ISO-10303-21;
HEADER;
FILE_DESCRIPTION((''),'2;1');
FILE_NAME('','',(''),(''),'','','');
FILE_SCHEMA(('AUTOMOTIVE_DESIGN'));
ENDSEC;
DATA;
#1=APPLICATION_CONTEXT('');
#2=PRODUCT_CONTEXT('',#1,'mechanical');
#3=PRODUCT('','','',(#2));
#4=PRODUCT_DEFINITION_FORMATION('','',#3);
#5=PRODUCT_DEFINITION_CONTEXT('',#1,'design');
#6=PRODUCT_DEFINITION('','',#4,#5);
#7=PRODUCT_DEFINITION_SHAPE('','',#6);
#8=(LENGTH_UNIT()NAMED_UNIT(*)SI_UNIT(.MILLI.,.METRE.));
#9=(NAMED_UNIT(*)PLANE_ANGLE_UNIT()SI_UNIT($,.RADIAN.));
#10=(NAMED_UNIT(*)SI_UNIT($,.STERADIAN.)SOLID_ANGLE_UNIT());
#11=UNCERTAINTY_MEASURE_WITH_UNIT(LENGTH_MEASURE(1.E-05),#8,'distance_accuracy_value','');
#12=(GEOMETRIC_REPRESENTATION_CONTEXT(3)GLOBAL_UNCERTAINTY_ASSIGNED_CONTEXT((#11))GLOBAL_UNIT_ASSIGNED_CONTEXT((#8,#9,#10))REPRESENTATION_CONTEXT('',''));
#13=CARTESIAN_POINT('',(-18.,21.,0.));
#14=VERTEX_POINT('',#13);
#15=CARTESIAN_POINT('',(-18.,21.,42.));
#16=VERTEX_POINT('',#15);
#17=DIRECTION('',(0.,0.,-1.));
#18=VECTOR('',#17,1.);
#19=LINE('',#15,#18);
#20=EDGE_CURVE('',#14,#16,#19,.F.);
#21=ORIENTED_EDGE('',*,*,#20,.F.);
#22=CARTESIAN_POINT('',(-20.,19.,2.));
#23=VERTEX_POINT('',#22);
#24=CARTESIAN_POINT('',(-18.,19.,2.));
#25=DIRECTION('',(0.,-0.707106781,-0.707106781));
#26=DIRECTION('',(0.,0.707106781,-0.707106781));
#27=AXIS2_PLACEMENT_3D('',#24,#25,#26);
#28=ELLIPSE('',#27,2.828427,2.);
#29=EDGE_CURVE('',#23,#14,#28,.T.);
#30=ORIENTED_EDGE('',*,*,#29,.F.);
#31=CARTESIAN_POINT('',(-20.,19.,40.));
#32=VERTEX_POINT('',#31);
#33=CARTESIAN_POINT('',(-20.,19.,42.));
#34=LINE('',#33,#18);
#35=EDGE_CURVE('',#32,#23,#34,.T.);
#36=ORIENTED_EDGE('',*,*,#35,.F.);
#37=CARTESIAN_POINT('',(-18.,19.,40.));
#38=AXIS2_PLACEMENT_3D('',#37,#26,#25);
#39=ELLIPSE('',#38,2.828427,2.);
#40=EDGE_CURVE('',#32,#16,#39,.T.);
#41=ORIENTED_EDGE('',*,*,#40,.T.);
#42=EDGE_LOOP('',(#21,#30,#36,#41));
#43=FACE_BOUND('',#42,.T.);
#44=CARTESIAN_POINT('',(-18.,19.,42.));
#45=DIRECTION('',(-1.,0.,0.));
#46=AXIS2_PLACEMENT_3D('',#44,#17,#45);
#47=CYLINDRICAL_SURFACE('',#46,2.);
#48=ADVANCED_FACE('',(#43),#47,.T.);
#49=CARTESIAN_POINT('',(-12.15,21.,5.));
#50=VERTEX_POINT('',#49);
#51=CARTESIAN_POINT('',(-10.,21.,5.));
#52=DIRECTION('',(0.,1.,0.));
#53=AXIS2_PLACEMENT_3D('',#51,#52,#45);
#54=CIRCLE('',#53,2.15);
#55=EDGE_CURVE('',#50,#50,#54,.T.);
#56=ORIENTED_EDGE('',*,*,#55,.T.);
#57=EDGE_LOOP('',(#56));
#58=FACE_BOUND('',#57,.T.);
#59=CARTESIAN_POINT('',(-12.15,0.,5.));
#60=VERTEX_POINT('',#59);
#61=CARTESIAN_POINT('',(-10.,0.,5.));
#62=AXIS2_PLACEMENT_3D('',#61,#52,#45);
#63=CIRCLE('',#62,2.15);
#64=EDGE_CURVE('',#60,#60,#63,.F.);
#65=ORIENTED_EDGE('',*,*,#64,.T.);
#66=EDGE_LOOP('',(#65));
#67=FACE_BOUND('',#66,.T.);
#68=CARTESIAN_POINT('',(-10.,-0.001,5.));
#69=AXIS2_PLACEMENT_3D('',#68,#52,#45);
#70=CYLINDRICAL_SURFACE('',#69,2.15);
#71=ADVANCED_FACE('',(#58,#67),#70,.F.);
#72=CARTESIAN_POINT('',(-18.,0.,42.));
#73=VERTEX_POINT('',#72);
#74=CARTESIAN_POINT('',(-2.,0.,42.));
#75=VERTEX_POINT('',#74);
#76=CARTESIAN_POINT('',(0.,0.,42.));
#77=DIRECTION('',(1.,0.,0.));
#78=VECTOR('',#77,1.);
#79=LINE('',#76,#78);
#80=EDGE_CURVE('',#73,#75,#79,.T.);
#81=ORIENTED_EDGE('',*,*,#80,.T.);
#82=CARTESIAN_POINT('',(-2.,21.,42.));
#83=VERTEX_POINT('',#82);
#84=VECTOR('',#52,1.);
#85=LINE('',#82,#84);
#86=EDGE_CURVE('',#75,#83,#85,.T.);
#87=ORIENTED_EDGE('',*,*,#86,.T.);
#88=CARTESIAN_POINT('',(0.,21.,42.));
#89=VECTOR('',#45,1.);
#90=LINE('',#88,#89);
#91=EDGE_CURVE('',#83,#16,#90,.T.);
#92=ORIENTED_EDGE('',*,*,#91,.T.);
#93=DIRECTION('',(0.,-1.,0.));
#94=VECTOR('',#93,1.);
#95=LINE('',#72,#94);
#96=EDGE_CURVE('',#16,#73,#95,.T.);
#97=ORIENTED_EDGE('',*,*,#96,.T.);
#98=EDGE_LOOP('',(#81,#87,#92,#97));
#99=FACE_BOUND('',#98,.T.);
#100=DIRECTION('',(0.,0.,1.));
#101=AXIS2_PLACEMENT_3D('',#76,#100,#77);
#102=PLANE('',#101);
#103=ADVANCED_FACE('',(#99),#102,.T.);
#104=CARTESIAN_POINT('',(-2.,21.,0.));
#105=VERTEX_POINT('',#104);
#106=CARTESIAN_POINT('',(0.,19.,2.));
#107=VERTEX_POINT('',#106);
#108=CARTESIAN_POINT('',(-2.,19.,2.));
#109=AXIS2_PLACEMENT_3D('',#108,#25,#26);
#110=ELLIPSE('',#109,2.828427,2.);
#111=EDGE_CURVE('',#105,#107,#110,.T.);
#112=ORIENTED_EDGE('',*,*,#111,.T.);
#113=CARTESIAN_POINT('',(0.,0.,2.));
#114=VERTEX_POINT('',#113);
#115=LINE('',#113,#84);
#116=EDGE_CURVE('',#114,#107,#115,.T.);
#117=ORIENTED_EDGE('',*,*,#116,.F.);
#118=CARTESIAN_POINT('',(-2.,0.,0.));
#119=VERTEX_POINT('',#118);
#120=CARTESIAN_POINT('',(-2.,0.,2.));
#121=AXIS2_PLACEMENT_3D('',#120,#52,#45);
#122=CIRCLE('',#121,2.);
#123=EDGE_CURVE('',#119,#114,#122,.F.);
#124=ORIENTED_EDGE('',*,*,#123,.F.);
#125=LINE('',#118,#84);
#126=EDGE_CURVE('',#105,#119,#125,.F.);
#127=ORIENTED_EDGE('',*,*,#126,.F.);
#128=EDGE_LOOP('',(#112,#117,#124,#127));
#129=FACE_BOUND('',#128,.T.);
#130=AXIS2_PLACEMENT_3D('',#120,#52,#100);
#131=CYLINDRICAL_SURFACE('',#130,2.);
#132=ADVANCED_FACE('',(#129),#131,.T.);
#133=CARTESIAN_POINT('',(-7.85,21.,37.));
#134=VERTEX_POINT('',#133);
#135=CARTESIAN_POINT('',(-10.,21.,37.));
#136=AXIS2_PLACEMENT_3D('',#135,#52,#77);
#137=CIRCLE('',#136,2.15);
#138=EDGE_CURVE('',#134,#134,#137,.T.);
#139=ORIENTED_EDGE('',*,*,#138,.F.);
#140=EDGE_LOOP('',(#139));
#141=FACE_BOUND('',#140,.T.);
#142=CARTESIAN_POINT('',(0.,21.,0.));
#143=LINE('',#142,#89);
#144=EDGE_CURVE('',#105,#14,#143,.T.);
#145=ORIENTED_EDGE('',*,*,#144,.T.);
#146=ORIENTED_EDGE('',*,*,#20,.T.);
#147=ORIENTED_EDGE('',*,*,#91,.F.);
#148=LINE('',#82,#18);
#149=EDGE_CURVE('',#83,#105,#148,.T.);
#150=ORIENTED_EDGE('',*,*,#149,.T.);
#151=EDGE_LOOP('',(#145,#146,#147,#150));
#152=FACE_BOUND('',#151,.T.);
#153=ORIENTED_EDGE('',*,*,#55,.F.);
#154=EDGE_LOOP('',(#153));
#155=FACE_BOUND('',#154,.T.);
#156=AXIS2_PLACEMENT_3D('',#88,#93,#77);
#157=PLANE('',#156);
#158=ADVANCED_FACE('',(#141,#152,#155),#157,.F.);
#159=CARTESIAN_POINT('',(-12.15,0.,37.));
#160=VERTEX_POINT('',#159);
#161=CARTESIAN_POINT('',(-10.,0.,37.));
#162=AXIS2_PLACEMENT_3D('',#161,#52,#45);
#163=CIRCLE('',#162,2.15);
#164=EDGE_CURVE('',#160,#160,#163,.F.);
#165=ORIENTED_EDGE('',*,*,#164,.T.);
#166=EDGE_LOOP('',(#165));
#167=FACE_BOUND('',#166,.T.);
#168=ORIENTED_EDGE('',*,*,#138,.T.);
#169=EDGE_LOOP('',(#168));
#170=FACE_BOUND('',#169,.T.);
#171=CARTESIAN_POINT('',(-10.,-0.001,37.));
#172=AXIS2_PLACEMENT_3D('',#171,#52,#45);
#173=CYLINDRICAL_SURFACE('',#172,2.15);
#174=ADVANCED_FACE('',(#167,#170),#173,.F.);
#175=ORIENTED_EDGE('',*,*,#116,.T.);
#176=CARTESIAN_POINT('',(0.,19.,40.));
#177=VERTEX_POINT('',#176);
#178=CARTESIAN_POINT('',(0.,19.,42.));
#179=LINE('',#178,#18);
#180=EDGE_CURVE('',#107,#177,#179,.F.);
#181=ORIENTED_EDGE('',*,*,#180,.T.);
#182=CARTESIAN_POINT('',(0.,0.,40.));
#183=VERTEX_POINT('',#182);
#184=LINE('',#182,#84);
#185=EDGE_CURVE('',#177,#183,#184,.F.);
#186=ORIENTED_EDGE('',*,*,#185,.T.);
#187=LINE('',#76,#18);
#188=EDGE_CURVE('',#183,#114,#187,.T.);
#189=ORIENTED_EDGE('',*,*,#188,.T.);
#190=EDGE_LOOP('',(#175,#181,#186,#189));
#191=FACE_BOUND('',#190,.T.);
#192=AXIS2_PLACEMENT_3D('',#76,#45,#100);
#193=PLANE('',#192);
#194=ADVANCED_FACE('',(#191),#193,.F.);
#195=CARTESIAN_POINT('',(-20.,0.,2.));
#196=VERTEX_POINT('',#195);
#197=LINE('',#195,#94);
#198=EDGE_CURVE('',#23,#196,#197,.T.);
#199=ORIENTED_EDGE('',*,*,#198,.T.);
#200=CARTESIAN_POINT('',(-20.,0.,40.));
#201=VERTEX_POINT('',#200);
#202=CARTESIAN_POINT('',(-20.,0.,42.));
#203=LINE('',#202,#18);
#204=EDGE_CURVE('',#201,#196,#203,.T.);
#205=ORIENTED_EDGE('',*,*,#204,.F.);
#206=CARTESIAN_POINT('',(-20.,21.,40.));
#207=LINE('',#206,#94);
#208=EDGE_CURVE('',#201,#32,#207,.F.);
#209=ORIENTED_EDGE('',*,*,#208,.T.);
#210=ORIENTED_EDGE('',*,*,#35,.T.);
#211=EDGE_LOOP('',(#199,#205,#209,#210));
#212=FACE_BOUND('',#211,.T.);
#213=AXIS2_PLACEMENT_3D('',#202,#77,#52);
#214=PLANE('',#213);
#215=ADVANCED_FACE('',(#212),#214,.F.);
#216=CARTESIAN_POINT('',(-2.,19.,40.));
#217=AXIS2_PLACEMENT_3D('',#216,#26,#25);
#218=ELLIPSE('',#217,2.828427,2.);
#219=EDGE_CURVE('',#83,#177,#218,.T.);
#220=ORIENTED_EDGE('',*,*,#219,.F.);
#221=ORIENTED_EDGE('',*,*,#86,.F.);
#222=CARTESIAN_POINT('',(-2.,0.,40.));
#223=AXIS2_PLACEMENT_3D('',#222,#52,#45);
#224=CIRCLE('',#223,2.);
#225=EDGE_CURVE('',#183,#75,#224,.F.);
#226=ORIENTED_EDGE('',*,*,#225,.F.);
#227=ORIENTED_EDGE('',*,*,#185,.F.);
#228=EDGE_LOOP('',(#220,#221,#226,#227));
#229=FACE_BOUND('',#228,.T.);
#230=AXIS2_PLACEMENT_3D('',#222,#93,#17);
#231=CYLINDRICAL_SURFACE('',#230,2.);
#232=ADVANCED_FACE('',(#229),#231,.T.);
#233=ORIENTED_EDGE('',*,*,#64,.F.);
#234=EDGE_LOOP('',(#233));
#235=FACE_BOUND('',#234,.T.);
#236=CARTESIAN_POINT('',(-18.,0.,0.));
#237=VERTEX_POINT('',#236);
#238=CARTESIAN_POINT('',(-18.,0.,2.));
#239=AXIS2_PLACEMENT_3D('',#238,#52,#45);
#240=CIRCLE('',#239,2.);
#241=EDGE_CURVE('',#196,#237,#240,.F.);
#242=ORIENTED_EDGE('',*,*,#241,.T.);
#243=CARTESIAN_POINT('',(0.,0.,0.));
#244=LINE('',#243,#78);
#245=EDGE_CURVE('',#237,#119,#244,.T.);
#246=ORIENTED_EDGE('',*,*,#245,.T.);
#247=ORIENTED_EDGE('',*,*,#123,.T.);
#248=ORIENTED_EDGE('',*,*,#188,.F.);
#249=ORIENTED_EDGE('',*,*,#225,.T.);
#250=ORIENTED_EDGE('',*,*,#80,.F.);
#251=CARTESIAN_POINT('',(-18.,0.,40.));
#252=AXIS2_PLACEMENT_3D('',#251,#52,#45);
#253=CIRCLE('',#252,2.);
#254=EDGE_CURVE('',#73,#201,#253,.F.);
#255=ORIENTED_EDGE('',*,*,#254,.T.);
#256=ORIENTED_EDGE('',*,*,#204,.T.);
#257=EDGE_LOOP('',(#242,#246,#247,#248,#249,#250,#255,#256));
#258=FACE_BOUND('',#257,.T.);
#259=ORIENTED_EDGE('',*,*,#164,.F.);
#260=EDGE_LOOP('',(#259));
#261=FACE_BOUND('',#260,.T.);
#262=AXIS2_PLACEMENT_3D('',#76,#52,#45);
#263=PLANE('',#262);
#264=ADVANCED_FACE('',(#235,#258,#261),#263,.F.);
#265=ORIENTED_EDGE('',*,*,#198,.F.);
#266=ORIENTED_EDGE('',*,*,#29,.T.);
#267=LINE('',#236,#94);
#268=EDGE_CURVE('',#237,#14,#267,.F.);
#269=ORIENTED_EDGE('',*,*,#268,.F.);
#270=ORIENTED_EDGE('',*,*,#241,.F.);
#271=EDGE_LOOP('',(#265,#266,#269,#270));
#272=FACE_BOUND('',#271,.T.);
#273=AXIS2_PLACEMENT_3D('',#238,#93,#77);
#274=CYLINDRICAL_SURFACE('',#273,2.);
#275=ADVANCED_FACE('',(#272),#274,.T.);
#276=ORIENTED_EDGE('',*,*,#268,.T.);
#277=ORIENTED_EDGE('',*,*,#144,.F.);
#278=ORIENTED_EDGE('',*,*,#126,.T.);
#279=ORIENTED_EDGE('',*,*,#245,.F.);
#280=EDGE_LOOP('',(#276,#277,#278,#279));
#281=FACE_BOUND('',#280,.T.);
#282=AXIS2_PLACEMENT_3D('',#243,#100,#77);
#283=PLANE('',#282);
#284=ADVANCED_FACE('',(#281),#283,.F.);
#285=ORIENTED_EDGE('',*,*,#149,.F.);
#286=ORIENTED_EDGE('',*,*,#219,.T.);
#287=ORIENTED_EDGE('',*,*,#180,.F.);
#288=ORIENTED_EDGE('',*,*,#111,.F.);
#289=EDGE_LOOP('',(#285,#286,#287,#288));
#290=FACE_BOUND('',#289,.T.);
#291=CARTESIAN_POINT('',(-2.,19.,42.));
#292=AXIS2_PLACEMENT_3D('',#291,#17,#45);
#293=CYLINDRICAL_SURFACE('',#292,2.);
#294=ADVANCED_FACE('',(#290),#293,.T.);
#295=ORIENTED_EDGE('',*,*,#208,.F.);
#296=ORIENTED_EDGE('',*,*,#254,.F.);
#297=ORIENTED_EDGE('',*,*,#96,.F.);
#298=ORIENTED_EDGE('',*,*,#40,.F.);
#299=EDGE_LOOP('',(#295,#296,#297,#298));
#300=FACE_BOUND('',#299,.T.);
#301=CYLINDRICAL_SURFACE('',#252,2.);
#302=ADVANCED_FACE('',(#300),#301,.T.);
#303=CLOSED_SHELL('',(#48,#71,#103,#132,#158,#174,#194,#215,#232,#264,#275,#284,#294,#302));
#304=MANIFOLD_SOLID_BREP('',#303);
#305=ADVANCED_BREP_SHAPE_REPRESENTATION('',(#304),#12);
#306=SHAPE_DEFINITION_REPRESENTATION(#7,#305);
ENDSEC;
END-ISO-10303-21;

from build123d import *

# Parameters (mm, degrees)
SKETCH_1_W          = 20
SKETCH_1_H          = 21
EXTRUDE_1_DEPTH     = 42
CUT_EXTRUDE_1_REACH = 53.039
SKETCH_2_R          = 2.15
FILLET_1_R          = 2


with BuildPart() as part:
    # 草图1 → 凸台-拉伸1 (new body)
    with BuildSketch(Plane.XY):
        with Locations((-10, 10.5)):
            Rectangle(SKETCH_1_W, SKETCH_1_H)
    extrude(amount=EXTRUDE_1_DEPTH)

    # 草图2 → 切除-拉伸1 (cut, up to next)
    with BuildSketch(Plane(origin=(0, 21, 0), x_dir=(1, 0, 0), z_dir=(0, 1, 0)), mode=Mode.PRIVATE) as cut_extrude_1_sk1:
        with Locations(Location((-10, -5, 0), (0, 0, 180))):
            Circle(SKETCH_2_R)
    cut_extrude_1_tool1 = extrude(cut_extrude_1_sk1.sketch, amount=-CUT_EXTRUDE_1_REACH, mode=Mode.PRIVATE) & part.part
    # 草图2 → 切除-拉伸1 (cut, up to next)
    with BuildSketch(Plane(origin=(0, 21, 0), x_dir=(1, 0, 0), z_dir=(0, 1, 0)), mode=Mode.PRIVATE) as cut_extrude_1_sk2:
        with Locations(Location((-10, -37, 0), (0, 0, 180))):
            Circle(SKETCH_2_R)
    cut_extrude_1_tool2 = extrude(cut_extrude_1_sk2.sketch, amount=-CUT_EXTRUDE_1_REACH, mode=Mode.PRIVATE) & part.part
    add(cut_extrude_1_tool1.solids().sort_by_distance((-10, 21, 5))[0], mode=Mode.SUBTRACT)
    add(cut_extrude_1_tool2.solids().sort_by_distance((-10, 21, 37))[0], mode=Mode.SUBTRACT)

    # 圆角1
    fillet_1_edges = [part.edges().sort_by_distance(p)[0] for p in [
        (-20, 10.5, 42),
        (0, 10.5, 42),
        (-20, 10.5, 0),
        (0, 10.5, 0),
        (-20, 21, 21),
        (0, 21, 21),
    ]]
    fillet(fillet_1_edges, radius=FILLET_1_R)


solid = part.part
